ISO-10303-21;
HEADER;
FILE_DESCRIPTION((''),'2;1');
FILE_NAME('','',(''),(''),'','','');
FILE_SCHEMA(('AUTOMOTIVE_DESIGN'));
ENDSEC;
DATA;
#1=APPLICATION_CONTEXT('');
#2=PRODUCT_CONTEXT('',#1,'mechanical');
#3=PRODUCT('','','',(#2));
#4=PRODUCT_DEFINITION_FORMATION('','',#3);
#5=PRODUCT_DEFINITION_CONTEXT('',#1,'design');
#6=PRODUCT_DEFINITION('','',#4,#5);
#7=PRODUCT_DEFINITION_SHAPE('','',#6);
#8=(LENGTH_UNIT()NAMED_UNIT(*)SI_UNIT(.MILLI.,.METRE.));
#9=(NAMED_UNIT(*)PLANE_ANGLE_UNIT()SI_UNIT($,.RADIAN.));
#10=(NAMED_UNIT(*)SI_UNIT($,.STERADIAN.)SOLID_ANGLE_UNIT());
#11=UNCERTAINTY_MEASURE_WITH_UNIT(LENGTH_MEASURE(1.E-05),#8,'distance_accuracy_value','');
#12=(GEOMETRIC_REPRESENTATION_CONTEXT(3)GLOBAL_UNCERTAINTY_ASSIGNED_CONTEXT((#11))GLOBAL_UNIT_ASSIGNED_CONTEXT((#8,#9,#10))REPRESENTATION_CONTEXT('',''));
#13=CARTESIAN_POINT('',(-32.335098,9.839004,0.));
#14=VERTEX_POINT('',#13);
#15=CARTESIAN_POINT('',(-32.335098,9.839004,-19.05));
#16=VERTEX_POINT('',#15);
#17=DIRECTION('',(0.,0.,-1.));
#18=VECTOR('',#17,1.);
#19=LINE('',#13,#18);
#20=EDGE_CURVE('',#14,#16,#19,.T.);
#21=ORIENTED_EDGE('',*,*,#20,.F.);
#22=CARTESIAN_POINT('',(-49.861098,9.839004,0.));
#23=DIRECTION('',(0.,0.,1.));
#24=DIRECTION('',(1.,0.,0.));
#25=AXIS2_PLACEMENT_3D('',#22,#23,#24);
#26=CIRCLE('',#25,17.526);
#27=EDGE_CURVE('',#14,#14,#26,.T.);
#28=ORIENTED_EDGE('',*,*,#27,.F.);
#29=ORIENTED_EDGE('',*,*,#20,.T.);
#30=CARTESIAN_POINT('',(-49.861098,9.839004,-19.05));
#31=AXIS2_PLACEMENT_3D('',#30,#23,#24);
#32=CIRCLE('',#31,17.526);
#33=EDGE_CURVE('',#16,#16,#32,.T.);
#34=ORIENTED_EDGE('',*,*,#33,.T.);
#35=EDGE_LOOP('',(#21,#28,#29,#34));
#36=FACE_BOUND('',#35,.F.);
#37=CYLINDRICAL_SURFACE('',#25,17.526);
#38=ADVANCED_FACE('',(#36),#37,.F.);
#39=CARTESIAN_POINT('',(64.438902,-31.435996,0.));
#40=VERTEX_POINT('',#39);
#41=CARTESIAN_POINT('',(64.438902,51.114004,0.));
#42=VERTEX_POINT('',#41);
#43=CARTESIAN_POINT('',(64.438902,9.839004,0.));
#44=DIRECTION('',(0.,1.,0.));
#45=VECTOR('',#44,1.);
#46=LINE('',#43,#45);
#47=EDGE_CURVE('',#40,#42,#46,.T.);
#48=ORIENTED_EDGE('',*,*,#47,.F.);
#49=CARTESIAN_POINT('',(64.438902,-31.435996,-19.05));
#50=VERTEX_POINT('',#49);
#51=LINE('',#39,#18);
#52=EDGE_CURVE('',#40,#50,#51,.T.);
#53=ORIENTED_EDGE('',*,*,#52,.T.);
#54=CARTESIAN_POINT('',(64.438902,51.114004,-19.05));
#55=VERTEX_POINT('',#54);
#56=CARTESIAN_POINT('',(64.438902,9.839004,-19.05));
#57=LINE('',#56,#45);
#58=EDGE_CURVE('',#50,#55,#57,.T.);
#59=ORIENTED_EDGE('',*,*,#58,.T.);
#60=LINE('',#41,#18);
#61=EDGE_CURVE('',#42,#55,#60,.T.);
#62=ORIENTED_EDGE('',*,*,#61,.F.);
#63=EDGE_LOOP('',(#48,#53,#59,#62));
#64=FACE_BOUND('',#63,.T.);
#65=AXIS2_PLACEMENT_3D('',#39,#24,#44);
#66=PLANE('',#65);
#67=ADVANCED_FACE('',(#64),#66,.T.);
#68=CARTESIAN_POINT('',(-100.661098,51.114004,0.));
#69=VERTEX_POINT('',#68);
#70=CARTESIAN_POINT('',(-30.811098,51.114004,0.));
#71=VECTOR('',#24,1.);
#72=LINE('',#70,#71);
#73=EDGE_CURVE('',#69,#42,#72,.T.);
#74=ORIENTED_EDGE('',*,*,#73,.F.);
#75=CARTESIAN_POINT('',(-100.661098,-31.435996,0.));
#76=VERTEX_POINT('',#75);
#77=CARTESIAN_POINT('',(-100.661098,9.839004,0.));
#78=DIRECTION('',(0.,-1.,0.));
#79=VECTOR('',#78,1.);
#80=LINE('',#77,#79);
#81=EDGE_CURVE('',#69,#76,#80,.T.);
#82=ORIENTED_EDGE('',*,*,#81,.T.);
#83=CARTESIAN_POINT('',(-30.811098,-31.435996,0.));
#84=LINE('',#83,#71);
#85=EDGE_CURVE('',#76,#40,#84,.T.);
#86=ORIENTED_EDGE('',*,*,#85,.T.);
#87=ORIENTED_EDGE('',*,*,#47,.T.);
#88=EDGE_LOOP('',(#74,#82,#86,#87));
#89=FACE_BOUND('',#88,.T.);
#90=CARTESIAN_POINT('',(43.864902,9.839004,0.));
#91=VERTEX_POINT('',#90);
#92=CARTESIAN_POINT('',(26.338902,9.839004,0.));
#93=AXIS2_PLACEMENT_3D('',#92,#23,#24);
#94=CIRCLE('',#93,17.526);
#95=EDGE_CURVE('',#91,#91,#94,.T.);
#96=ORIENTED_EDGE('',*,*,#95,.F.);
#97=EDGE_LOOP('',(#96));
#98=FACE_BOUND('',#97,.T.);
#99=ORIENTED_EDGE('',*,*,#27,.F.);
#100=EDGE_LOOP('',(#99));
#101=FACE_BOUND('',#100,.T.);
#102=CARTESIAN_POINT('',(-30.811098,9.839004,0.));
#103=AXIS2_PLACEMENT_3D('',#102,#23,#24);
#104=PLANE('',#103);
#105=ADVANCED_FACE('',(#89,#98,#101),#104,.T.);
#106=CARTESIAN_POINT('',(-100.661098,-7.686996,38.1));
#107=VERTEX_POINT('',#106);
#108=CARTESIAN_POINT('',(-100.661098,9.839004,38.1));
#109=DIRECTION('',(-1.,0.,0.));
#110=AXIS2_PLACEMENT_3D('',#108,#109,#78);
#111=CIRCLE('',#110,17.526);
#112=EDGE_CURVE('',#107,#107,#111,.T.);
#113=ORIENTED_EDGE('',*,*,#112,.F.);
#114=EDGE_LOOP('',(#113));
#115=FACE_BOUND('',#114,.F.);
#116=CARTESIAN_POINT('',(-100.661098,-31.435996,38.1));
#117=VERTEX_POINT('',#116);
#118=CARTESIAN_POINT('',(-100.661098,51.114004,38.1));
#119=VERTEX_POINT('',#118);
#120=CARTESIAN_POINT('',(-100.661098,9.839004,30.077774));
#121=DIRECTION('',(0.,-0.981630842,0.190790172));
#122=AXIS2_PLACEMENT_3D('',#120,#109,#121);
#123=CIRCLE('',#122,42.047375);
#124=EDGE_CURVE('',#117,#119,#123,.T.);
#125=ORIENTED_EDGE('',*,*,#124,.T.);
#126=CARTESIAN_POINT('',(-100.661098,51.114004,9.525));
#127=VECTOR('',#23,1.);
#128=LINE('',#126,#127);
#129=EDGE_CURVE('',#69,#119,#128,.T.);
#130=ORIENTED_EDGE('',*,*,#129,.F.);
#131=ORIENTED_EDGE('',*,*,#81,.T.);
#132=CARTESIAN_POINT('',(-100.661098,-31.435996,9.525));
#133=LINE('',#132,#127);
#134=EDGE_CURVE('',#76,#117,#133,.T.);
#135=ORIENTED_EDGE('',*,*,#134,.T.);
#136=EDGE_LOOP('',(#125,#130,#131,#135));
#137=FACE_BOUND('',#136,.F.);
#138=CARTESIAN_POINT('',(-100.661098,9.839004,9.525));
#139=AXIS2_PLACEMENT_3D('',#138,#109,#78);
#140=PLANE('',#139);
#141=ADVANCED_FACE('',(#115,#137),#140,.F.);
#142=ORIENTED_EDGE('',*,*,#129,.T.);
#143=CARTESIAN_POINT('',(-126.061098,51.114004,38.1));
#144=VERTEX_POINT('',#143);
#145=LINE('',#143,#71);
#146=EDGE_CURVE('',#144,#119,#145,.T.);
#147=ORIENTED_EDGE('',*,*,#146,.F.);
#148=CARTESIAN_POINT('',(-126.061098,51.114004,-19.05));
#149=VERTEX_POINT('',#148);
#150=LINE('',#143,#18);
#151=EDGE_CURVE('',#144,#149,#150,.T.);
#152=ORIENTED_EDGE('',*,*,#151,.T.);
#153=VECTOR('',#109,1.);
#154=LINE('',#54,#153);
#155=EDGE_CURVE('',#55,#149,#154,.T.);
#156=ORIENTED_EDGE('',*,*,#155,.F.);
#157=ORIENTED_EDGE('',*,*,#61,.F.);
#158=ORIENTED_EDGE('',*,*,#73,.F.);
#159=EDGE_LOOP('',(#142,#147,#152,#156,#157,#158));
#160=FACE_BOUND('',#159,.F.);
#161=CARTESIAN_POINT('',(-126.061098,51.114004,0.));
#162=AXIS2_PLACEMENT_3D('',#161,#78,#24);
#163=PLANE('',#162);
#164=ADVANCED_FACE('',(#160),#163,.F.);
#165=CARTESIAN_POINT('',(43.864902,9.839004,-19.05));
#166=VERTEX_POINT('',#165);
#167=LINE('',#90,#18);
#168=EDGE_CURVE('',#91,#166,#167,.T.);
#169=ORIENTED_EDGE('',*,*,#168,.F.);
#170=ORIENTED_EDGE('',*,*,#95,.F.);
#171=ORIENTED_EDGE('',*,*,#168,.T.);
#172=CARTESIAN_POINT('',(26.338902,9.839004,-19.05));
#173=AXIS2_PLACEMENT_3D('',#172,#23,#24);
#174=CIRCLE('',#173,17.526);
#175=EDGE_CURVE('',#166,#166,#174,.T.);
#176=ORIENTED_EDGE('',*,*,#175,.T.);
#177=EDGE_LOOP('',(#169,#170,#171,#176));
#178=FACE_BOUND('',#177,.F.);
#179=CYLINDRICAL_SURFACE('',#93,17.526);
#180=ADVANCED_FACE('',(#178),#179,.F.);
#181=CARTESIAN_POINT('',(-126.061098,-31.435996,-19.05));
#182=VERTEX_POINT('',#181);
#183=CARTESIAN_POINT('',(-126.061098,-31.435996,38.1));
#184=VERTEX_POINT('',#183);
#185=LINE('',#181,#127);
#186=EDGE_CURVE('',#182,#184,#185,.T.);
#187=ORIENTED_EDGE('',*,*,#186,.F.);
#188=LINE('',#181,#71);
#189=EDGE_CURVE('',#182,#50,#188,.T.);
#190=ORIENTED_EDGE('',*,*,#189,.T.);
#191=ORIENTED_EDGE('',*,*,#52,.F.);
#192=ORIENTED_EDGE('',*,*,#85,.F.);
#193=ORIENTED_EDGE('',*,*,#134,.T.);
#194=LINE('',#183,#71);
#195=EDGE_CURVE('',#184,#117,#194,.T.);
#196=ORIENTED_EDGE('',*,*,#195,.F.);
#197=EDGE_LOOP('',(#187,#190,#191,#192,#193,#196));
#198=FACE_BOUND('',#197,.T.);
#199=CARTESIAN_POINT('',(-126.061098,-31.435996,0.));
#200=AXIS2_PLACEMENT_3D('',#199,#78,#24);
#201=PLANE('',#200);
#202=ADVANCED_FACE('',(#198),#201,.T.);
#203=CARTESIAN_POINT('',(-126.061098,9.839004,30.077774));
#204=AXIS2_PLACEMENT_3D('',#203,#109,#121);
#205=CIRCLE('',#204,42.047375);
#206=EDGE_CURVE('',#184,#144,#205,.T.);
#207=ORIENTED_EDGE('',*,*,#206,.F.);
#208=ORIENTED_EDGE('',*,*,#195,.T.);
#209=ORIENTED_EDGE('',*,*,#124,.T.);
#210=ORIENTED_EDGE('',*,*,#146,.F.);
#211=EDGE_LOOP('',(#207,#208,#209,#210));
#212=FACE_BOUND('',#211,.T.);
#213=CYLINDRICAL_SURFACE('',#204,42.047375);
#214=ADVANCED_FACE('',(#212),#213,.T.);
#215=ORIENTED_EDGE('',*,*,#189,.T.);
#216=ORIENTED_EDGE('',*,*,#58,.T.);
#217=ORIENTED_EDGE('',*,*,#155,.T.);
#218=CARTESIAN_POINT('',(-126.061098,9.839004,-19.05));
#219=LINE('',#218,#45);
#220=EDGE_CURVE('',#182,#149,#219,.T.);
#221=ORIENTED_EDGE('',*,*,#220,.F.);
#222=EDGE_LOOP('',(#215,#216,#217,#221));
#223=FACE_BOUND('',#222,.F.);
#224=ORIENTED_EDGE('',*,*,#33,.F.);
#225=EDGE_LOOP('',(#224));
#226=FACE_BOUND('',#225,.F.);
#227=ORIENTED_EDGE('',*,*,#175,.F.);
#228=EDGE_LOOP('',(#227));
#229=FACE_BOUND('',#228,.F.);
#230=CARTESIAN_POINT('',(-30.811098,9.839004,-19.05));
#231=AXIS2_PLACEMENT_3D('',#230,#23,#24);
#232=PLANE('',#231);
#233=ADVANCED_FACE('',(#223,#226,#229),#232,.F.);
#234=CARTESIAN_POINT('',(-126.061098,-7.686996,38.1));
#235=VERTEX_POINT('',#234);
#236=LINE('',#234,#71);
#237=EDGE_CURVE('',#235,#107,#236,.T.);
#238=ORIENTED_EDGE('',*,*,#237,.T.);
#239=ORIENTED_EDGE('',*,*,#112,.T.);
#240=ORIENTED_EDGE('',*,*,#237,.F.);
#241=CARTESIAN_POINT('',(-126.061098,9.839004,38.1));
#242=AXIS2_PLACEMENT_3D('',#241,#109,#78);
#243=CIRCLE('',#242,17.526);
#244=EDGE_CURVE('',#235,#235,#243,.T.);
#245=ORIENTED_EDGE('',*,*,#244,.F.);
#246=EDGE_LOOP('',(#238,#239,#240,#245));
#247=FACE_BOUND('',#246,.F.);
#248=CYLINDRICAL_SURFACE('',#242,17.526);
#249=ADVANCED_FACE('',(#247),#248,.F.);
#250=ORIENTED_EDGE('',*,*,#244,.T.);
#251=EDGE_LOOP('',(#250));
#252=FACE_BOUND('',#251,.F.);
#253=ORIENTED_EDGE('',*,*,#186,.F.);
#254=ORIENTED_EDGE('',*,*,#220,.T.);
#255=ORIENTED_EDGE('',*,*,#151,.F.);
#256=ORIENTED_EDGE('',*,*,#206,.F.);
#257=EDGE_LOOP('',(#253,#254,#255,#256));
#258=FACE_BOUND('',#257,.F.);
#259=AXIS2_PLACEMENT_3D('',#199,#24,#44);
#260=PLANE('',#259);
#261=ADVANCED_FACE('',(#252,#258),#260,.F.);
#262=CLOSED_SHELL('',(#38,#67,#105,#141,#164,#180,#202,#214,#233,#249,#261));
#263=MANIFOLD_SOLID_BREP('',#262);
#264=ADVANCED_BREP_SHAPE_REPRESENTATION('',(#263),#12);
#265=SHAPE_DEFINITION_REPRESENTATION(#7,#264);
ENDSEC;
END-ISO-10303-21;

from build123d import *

# Parameters (mm, degrees)
F0_W     = 190.5
F0_H     = 82.55
F0_R     = 17.526
F1_DEPTH = 19.05
F2_W     = 82.55
F2_H     = 57.15
F3_DEPTH = 25.4
F4_R     = 17.526
F5_DEPTH = 25.4


with BuildPart() as f1:
    # F0 (on Top) → F1 (new body)
    with BuildSketch(Plane.XY):
        with Locations((-30.811098, 9.839004)):
            Rectangle(F0_W, F0_H)
        with Locations((-49.861098, 9.839004)):
            Circle(F0_R, mode=Mode.SUBTRACT)
        with Locations((26.338902, 9.839004)):
            Circle(F0_R, mode=Mode.SUBTRACT)
    extrude(amount=-F1_DEPTH)

    # F2 (on face) → F3 (join)
    with BuildSketch(Plane(origin=(-126.061098, 0, 0), x_dir=(0, -1, 0), z_dir=(-1, 0, 0))):
        with Locations((-9.839004, 9.525)):
            Rectangle(F2_W, F2_H)
        with BuildLine():
            ThreePointArc((31.435996, 38.1), (-9.839004, 72.125149), (-51.114004, 38.1))
            Line((-51.114004, 38.1), (31.435996, 38.1))
        make_face()
    extrude(amount=-F3_DEPTH)

    # F4 (on face) → F5 (cut)
    with BuildSketch(Plane(origin=(-126.061098, 0, 0), x_dir=(0, -1, 0), z_dir=(-1, 0, 0))):
        with Locations((-9.839004, 38.1)):
            Circle(F4_R)
    extrude(amount=-F5_DEPTH, mode=Mode.SUBTRACT)


solid = f1.part
